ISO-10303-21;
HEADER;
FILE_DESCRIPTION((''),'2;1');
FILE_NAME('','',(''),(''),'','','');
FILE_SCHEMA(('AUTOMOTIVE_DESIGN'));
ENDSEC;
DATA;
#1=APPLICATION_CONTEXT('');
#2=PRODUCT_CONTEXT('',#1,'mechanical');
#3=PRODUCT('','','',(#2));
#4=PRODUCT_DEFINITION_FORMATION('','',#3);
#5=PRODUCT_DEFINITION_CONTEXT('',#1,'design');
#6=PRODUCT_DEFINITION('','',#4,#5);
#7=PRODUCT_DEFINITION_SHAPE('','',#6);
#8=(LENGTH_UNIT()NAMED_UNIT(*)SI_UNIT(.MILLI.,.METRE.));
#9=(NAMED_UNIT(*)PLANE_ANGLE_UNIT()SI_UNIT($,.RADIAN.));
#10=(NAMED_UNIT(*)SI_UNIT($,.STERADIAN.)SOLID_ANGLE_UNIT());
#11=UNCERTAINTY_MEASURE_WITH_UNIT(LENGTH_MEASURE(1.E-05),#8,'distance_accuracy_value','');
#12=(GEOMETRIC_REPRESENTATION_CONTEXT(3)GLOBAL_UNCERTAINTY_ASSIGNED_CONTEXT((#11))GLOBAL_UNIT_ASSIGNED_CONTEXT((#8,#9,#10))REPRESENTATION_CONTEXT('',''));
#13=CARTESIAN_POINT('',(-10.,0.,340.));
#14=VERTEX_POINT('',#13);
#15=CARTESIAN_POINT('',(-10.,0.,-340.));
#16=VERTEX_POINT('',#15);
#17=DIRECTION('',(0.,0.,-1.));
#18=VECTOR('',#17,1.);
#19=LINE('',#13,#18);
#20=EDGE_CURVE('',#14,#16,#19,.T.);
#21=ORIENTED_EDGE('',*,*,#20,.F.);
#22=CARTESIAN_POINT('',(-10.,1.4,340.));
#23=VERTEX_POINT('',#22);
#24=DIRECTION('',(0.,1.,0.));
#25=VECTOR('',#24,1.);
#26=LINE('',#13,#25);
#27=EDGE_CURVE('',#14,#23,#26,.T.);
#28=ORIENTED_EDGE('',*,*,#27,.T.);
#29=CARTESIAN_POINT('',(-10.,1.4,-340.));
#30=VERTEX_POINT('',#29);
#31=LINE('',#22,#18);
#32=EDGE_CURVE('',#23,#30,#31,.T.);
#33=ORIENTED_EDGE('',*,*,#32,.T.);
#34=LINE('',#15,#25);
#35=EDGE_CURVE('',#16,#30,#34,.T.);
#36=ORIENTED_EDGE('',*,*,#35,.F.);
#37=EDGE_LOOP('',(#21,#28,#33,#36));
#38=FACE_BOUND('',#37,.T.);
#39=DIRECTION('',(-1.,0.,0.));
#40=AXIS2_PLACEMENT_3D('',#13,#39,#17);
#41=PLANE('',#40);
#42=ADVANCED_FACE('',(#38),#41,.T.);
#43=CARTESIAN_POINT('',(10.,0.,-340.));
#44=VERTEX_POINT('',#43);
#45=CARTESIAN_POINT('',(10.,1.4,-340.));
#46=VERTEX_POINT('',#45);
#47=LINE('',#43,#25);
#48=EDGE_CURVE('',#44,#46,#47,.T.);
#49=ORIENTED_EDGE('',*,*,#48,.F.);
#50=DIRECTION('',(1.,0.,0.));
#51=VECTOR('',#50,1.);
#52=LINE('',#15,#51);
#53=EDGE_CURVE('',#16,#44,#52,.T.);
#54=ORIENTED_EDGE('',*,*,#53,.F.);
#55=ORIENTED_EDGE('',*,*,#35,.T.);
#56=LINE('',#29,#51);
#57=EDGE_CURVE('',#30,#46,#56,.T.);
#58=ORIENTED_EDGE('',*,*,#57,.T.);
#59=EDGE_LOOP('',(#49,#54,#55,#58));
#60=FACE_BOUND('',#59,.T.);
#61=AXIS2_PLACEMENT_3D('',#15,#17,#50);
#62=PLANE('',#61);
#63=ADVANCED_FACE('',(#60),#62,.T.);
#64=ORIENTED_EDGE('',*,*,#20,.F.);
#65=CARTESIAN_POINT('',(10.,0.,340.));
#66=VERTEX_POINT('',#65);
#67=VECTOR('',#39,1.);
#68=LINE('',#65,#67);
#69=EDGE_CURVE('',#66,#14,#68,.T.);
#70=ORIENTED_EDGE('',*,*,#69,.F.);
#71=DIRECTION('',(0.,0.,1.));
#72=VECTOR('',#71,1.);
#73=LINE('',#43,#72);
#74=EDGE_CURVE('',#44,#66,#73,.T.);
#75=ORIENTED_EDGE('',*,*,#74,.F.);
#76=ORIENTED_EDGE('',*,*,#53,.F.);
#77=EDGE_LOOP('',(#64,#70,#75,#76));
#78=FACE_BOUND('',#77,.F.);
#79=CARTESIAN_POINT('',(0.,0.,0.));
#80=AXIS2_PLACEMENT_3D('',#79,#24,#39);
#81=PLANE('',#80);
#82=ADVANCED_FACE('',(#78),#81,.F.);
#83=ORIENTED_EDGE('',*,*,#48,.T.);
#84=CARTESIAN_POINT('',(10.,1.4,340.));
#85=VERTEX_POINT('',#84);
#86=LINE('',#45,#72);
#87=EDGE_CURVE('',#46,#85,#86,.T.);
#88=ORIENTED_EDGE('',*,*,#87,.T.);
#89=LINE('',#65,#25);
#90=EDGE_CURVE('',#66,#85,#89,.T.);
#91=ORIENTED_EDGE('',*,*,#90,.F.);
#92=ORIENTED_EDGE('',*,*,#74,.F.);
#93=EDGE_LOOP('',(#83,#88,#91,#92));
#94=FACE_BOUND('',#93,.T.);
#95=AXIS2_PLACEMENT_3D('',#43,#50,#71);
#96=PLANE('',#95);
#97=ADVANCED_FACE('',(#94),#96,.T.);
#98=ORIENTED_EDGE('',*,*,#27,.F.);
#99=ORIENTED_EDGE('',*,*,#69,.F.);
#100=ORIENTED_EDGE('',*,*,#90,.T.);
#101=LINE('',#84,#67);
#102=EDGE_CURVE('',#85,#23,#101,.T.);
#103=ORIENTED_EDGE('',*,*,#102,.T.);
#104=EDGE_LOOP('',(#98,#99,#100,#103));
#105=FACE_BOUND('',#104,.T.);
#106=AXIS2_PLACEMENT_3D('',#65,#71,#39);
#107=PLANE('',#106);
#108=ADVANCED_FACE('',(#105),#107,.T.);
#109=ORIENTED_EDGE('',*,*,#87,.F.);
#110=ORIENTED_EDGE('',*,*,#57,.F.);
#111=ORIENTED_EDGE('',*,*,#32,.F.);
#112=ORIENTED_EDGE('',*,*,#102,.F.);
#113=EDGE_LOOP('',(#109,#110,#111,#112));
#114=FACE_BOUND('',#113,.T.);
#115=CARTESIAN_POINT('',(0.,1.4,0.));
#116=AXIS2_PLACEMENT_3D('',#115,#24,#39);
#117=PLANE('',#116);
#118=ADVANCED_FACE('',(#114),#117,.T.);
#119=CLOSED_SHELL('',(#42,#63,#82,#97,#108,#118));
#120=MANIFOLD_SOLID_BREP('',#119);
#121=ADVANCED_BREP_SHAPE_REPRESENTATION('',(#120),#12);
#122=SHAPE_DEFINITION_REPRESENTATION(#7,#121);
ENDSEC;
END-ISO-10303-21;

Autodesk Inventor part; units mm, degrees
ref_plane "YZ Plane" through (0, 0, 0) normal (1, 0, 0) x (0, 1, 0)
ref_plane "XZ Plane" through (0, 0, 0) normal (0, 1, 0) x (-1, 0, 0)
ref_plane "XY Plane" through (0, 0, 0) normal (0, 0, 1) x (1, 0, 0)
sketch "Sketch1" plane through (0, 0, 0) normal (0, 1, 0) x (-1, 0, 0)
  line L0 (-10, 340) -> (10, 340)
  line L1 (10, 340) -> (10, -340)
  line L2 (10, -340) -> (-10, -340)
  line L3 (-10, -340) -> (-10, 340)
  line L4 (-10, 340) -> (10, -340) construction
  line L5 (10, 340) -> (-10, -340) construction
  point P0 (0, 0)
  dimension "d0" = 20
  dimension "d1" = 680
extrude "Extrusion1" add sketch "Sketch1" along normal blind 1.4
properties part number "MTAZ-500-50-1"
